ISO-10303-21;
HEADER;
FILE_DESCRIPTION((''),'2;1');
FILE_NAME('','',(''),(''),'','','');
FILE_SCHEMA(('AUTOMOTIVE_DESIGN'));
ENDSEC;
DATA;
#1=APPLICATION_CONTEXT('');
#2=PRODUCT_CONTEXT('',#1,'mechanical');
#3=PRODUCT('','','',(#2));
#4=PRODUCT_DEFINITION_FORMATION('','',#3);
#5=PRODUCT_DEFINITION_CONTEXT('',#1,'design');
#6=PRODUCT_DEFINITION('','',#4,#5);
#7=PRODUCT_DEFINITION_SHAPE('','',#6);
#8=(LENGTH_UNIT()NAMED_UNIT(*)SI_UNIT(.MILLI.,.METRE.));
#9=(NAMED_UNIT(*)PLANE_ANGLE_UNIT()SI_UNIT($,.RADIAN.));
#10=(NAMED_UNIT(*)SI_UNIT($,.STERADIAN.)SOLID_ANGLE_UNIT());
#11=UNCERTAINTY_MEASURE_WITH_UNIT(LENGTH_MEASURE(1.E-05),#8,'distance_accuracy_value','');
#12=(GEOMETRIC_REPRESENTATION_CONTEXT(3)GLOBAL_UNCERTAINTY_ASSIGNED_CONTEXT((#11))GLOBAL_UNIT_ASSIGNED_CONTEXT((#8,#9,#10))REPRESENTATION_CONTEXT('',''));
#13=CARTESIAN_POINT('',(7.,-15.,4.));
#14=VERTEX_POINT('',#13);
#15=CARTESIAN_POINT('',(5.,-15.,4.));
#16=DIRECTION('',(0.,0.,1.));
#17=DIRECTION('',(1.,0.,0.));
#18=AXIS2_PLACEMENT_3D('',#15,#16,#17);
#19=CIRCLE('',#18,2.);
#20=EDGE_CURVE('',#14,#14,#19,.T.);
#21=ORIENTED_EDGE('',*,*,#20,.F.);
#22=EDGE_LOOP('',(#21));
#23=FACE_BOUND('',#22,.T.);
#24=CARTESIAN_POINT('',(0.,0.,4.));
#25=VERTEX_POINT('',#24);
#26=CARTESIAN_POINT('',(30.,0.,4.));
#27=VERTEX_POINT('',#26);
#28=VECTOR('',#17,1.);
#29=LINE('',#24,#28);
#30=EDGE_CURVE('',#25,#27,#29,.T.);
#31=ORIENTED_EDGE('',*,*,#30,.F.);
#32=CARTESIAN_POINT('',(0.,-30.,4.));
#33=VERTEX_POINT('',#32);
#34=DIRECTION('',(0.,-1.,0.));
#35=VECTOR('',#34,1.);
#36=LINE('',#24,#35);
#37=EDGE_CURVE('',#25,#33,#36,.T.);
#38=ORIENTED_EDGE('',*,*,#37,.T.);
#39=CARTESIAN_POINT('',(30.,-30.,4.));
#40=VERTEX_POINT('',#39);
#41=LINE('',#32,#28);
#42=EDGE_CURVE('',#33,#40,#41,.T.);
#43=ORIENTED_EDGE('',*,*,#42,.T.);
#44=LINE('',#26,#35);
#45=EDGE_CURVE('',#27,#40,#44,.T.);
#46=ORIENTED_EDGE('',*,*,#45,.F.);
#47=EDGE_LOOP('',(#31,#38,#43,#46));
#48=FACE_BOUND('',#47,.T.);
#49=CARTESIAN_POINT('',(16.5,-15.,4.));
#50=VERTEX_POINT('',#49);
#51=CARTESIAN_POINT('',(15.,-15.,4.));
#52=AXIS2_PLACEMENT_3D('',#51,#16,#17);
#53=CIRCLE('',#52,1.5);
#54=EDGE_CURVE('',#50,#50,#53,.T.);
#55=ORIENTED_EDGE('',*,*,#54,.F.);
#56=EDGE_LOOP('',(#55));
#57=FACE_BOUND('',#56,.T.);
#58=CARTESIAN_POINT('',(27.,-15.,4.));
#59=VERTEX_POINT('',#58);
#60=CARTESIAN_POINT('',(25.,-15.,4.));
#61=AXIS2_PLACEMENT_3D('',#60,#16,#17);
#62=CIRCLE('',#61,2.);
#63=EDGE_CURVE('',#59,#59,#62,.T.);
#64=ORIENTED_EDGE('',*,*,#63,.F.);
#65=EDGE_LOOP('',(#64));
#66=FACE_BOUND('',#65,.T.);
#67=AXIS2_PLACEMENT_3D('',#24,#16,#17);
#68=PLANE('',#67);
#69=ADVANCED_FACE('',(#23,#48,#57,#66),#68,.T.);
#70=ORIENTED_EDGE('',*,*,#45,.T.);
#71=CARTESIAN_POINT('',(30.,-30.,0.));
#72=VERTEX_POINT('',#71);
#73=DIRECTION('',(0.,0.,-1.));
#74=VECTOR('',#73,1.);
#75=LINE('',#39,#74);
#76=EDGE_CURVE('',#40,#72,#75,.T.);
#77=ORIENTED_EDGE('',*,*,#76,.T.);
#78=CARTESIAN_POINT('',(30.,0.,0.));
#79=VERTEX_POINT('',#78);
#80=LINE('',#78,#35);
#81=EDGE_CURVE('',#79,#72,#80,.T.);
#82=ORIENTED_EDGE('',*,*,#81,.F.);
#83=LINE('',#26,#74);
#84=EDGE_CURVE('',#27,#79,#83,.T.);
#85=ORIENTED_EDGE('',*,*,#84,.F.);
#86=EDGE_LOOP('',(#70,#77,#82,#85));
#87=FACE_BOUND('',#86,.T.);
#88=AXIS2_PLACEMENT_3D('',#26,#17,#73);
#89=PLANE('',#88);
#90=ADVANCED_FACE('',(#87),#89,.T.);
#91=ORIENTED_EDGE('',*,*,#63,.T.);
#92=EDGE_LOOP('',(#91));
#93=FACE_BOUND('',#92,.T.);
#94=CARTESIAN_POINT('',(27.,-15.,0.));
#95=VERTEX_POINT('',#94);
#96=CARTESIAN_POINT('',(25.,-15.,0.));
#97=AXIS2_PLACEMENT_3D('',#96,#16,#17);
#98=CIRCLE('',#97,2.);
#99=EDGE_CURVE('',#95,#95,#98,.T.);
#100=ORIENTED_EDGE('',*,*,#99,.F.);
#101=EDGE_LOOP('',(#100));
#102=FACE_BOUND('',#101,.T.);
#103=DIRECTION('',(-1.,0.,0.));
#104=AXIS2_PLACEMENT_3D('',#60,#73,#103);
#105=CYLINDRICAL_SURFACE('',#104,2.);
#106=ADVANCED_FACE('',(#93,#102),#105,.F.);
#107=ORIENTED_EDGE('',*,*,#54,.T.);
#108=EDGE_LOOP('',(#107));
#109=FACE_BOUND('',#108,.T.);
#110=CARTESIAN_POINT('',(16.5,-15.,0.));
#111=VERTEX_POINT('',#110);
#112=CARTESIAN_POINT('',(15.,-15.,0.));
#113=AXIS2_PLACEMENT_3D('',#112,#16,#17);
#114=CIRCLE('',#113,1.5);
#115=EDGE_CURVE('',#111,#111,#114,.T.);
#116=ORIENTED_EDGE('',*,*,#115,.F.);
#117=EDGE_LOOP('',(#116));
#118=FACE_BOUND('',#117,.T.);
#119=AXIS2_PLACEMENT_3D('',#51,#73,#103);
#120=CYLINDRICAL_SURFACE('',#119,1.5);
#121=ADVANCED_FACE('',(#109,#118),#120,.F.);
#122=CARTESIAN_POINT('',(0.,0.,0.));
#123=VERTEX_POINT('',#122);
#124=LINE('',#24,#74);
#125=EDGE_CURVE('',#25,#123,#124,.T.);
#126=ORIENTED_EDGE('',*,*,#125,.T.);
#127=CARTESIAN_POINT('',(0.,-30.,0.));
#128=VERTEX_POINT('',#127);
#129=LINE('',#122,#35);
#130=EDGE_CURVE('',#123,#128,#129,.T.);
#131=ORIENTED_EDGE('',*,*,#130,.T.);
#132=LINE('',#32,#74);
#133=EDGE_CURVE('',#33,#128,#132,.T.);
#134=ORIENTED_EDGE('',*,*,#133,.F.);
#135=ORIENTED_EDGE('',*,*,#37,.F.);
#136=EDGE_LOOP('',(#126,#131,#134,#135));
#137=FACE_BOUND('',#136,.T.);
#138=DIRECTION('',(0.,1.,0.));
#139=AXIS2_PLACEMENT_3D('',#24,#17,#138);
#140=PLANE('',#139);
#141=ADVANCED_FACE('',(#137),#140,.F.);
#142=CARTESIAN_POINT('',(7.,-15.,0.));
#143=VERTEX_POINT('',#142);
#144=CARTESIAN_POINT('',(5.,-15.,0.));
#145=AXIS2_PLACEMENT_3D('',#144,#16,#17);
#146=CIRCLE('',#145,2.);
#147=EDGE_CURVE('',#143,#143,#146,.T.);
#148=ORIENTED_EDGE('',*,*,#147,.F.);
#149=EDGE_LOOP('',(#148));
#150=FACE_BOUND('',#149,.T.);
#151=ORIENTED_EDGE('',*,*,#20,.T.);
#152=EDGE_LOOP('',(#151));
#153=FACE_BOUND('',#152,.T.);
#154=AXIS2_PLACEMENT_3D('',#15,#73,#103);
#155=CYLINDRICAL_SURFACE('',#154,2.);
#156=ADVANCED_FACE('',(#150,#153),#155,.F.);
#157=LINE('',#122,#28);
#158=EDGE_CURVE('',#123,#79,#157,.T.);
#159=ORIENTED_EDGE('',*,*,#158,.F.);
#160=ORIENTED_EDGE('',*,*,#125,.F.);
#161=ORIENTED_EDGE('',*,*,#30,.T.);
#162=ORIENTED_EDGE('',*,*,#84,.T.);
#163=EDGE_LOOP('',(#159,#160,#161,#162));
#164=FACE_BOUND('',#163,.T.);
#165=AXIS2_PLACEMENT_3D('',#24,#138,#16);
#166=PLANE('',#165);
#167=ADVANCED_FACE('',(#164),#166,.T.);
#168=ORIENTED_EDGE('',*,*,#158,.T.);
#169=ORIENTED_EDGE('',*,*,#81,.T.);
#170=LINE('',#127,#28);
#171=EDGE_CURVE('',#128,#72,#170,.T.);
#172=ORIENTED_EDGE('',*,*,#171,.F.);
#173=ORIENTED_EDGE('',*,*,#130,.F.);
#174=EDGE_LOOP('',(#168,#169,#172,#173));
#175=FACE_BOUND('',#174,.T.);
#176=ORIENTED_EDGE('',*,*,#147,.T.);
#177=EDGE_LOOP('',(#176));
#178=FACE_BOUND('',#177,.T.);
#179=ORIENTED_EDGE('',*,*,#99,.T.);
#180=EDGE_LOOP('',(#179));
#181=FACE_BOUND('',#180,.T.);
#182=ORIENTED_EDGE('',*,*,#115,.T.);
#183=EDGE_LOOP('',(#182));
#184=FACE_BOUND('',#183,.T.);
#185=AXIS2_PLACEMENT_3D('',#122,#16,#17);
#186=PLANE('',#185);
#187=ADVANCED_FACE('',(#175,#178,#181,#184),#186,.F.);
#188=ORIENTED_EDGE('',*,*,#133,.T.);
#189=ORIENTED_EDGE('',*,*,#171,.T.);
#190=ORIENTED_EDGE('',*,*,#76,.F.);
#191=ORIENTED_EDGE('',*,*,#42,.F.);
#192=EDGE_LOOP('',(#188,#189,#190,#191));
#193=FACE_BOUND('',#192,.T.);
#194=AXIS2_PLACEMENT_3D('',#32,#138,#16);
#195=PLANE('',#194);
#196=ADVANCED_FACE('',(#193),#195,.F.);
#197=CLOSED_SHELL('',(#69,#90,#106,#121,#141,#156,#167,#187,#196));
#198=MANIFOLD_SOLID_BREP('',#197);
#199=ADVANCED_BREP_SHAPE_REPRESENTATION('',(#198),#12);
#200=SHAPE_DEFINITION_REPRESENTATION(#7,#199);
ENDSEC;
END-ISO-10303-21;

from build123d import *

# Parameters (mm, degrees)
BOSS_EXTRUDE1_DEPTH = 4


with BuildPart() as part:
    # Sketch1 → Boss-Extrude1 (new body)
    with BuildSketch(Plane.XY):
        with BuildLine():
            ThreePointArc((2.5, -15), (15, -2.5), (27.5, -15))
            Line((27.5, -15), (30, -15))
            Line((30, -15), (30, 0))
            Line((30, 0), (0, 0))
            Line((0, 0), (0, -15))
            Line((0, -15), (2.5, -15))
        make_face()
        with BuildLine():
            Line((30, -15), (27.5, -15))
            ThreePointArc((27.5, -15), (15, -27.5), (2.5, -15))
            Line((2.5, -15), (0, -15))
            Line((0, -15), (0, -30))
            Line((0, -30), (30, -30))
            Line((30, -30), (30, -15))
        make_face()
        with BuildLine():
            ThreePointArc((23, -15), (25, -13), (27, -15))
            Line((27, -15), (27.5, -15))
            ThreePointArc((27.5, -15), (15, -2.5), (2.5, -15))
            Line((2.5, -15), (3, -15))
            ThreePointArc((3, -15), (5, -13), (7, -15))
            Line((7, -15), (13.5, -15))
            ThreePointArc((13.5, -15), (15, -13.5), (16.5, -15))
            Line((16.5, -15), (23, -15))
        make_face()
        with BuildLine():
            Line((27.5, -15), (27, -15))
            ThreePointArc((27, -15), (25, -17), (23, -15))
            Line((23, -15), (16.5, -15))
            ThreePointArc((16.5, -15), (15, -16.5), (13.5, -15))
            Line((13.5, -15), (7, -15))
            ThreePointArc((7, -15), (5, -17), (3, -15))
            Line((3, -15), (2.5, -15))
            ThreePointArc((2.5, -15), (15, -27.5), (27.5, -15))
        make_face()
    extrude(amount=BOSS_EXTRUDE1_DEPTH)


solid = part.part
